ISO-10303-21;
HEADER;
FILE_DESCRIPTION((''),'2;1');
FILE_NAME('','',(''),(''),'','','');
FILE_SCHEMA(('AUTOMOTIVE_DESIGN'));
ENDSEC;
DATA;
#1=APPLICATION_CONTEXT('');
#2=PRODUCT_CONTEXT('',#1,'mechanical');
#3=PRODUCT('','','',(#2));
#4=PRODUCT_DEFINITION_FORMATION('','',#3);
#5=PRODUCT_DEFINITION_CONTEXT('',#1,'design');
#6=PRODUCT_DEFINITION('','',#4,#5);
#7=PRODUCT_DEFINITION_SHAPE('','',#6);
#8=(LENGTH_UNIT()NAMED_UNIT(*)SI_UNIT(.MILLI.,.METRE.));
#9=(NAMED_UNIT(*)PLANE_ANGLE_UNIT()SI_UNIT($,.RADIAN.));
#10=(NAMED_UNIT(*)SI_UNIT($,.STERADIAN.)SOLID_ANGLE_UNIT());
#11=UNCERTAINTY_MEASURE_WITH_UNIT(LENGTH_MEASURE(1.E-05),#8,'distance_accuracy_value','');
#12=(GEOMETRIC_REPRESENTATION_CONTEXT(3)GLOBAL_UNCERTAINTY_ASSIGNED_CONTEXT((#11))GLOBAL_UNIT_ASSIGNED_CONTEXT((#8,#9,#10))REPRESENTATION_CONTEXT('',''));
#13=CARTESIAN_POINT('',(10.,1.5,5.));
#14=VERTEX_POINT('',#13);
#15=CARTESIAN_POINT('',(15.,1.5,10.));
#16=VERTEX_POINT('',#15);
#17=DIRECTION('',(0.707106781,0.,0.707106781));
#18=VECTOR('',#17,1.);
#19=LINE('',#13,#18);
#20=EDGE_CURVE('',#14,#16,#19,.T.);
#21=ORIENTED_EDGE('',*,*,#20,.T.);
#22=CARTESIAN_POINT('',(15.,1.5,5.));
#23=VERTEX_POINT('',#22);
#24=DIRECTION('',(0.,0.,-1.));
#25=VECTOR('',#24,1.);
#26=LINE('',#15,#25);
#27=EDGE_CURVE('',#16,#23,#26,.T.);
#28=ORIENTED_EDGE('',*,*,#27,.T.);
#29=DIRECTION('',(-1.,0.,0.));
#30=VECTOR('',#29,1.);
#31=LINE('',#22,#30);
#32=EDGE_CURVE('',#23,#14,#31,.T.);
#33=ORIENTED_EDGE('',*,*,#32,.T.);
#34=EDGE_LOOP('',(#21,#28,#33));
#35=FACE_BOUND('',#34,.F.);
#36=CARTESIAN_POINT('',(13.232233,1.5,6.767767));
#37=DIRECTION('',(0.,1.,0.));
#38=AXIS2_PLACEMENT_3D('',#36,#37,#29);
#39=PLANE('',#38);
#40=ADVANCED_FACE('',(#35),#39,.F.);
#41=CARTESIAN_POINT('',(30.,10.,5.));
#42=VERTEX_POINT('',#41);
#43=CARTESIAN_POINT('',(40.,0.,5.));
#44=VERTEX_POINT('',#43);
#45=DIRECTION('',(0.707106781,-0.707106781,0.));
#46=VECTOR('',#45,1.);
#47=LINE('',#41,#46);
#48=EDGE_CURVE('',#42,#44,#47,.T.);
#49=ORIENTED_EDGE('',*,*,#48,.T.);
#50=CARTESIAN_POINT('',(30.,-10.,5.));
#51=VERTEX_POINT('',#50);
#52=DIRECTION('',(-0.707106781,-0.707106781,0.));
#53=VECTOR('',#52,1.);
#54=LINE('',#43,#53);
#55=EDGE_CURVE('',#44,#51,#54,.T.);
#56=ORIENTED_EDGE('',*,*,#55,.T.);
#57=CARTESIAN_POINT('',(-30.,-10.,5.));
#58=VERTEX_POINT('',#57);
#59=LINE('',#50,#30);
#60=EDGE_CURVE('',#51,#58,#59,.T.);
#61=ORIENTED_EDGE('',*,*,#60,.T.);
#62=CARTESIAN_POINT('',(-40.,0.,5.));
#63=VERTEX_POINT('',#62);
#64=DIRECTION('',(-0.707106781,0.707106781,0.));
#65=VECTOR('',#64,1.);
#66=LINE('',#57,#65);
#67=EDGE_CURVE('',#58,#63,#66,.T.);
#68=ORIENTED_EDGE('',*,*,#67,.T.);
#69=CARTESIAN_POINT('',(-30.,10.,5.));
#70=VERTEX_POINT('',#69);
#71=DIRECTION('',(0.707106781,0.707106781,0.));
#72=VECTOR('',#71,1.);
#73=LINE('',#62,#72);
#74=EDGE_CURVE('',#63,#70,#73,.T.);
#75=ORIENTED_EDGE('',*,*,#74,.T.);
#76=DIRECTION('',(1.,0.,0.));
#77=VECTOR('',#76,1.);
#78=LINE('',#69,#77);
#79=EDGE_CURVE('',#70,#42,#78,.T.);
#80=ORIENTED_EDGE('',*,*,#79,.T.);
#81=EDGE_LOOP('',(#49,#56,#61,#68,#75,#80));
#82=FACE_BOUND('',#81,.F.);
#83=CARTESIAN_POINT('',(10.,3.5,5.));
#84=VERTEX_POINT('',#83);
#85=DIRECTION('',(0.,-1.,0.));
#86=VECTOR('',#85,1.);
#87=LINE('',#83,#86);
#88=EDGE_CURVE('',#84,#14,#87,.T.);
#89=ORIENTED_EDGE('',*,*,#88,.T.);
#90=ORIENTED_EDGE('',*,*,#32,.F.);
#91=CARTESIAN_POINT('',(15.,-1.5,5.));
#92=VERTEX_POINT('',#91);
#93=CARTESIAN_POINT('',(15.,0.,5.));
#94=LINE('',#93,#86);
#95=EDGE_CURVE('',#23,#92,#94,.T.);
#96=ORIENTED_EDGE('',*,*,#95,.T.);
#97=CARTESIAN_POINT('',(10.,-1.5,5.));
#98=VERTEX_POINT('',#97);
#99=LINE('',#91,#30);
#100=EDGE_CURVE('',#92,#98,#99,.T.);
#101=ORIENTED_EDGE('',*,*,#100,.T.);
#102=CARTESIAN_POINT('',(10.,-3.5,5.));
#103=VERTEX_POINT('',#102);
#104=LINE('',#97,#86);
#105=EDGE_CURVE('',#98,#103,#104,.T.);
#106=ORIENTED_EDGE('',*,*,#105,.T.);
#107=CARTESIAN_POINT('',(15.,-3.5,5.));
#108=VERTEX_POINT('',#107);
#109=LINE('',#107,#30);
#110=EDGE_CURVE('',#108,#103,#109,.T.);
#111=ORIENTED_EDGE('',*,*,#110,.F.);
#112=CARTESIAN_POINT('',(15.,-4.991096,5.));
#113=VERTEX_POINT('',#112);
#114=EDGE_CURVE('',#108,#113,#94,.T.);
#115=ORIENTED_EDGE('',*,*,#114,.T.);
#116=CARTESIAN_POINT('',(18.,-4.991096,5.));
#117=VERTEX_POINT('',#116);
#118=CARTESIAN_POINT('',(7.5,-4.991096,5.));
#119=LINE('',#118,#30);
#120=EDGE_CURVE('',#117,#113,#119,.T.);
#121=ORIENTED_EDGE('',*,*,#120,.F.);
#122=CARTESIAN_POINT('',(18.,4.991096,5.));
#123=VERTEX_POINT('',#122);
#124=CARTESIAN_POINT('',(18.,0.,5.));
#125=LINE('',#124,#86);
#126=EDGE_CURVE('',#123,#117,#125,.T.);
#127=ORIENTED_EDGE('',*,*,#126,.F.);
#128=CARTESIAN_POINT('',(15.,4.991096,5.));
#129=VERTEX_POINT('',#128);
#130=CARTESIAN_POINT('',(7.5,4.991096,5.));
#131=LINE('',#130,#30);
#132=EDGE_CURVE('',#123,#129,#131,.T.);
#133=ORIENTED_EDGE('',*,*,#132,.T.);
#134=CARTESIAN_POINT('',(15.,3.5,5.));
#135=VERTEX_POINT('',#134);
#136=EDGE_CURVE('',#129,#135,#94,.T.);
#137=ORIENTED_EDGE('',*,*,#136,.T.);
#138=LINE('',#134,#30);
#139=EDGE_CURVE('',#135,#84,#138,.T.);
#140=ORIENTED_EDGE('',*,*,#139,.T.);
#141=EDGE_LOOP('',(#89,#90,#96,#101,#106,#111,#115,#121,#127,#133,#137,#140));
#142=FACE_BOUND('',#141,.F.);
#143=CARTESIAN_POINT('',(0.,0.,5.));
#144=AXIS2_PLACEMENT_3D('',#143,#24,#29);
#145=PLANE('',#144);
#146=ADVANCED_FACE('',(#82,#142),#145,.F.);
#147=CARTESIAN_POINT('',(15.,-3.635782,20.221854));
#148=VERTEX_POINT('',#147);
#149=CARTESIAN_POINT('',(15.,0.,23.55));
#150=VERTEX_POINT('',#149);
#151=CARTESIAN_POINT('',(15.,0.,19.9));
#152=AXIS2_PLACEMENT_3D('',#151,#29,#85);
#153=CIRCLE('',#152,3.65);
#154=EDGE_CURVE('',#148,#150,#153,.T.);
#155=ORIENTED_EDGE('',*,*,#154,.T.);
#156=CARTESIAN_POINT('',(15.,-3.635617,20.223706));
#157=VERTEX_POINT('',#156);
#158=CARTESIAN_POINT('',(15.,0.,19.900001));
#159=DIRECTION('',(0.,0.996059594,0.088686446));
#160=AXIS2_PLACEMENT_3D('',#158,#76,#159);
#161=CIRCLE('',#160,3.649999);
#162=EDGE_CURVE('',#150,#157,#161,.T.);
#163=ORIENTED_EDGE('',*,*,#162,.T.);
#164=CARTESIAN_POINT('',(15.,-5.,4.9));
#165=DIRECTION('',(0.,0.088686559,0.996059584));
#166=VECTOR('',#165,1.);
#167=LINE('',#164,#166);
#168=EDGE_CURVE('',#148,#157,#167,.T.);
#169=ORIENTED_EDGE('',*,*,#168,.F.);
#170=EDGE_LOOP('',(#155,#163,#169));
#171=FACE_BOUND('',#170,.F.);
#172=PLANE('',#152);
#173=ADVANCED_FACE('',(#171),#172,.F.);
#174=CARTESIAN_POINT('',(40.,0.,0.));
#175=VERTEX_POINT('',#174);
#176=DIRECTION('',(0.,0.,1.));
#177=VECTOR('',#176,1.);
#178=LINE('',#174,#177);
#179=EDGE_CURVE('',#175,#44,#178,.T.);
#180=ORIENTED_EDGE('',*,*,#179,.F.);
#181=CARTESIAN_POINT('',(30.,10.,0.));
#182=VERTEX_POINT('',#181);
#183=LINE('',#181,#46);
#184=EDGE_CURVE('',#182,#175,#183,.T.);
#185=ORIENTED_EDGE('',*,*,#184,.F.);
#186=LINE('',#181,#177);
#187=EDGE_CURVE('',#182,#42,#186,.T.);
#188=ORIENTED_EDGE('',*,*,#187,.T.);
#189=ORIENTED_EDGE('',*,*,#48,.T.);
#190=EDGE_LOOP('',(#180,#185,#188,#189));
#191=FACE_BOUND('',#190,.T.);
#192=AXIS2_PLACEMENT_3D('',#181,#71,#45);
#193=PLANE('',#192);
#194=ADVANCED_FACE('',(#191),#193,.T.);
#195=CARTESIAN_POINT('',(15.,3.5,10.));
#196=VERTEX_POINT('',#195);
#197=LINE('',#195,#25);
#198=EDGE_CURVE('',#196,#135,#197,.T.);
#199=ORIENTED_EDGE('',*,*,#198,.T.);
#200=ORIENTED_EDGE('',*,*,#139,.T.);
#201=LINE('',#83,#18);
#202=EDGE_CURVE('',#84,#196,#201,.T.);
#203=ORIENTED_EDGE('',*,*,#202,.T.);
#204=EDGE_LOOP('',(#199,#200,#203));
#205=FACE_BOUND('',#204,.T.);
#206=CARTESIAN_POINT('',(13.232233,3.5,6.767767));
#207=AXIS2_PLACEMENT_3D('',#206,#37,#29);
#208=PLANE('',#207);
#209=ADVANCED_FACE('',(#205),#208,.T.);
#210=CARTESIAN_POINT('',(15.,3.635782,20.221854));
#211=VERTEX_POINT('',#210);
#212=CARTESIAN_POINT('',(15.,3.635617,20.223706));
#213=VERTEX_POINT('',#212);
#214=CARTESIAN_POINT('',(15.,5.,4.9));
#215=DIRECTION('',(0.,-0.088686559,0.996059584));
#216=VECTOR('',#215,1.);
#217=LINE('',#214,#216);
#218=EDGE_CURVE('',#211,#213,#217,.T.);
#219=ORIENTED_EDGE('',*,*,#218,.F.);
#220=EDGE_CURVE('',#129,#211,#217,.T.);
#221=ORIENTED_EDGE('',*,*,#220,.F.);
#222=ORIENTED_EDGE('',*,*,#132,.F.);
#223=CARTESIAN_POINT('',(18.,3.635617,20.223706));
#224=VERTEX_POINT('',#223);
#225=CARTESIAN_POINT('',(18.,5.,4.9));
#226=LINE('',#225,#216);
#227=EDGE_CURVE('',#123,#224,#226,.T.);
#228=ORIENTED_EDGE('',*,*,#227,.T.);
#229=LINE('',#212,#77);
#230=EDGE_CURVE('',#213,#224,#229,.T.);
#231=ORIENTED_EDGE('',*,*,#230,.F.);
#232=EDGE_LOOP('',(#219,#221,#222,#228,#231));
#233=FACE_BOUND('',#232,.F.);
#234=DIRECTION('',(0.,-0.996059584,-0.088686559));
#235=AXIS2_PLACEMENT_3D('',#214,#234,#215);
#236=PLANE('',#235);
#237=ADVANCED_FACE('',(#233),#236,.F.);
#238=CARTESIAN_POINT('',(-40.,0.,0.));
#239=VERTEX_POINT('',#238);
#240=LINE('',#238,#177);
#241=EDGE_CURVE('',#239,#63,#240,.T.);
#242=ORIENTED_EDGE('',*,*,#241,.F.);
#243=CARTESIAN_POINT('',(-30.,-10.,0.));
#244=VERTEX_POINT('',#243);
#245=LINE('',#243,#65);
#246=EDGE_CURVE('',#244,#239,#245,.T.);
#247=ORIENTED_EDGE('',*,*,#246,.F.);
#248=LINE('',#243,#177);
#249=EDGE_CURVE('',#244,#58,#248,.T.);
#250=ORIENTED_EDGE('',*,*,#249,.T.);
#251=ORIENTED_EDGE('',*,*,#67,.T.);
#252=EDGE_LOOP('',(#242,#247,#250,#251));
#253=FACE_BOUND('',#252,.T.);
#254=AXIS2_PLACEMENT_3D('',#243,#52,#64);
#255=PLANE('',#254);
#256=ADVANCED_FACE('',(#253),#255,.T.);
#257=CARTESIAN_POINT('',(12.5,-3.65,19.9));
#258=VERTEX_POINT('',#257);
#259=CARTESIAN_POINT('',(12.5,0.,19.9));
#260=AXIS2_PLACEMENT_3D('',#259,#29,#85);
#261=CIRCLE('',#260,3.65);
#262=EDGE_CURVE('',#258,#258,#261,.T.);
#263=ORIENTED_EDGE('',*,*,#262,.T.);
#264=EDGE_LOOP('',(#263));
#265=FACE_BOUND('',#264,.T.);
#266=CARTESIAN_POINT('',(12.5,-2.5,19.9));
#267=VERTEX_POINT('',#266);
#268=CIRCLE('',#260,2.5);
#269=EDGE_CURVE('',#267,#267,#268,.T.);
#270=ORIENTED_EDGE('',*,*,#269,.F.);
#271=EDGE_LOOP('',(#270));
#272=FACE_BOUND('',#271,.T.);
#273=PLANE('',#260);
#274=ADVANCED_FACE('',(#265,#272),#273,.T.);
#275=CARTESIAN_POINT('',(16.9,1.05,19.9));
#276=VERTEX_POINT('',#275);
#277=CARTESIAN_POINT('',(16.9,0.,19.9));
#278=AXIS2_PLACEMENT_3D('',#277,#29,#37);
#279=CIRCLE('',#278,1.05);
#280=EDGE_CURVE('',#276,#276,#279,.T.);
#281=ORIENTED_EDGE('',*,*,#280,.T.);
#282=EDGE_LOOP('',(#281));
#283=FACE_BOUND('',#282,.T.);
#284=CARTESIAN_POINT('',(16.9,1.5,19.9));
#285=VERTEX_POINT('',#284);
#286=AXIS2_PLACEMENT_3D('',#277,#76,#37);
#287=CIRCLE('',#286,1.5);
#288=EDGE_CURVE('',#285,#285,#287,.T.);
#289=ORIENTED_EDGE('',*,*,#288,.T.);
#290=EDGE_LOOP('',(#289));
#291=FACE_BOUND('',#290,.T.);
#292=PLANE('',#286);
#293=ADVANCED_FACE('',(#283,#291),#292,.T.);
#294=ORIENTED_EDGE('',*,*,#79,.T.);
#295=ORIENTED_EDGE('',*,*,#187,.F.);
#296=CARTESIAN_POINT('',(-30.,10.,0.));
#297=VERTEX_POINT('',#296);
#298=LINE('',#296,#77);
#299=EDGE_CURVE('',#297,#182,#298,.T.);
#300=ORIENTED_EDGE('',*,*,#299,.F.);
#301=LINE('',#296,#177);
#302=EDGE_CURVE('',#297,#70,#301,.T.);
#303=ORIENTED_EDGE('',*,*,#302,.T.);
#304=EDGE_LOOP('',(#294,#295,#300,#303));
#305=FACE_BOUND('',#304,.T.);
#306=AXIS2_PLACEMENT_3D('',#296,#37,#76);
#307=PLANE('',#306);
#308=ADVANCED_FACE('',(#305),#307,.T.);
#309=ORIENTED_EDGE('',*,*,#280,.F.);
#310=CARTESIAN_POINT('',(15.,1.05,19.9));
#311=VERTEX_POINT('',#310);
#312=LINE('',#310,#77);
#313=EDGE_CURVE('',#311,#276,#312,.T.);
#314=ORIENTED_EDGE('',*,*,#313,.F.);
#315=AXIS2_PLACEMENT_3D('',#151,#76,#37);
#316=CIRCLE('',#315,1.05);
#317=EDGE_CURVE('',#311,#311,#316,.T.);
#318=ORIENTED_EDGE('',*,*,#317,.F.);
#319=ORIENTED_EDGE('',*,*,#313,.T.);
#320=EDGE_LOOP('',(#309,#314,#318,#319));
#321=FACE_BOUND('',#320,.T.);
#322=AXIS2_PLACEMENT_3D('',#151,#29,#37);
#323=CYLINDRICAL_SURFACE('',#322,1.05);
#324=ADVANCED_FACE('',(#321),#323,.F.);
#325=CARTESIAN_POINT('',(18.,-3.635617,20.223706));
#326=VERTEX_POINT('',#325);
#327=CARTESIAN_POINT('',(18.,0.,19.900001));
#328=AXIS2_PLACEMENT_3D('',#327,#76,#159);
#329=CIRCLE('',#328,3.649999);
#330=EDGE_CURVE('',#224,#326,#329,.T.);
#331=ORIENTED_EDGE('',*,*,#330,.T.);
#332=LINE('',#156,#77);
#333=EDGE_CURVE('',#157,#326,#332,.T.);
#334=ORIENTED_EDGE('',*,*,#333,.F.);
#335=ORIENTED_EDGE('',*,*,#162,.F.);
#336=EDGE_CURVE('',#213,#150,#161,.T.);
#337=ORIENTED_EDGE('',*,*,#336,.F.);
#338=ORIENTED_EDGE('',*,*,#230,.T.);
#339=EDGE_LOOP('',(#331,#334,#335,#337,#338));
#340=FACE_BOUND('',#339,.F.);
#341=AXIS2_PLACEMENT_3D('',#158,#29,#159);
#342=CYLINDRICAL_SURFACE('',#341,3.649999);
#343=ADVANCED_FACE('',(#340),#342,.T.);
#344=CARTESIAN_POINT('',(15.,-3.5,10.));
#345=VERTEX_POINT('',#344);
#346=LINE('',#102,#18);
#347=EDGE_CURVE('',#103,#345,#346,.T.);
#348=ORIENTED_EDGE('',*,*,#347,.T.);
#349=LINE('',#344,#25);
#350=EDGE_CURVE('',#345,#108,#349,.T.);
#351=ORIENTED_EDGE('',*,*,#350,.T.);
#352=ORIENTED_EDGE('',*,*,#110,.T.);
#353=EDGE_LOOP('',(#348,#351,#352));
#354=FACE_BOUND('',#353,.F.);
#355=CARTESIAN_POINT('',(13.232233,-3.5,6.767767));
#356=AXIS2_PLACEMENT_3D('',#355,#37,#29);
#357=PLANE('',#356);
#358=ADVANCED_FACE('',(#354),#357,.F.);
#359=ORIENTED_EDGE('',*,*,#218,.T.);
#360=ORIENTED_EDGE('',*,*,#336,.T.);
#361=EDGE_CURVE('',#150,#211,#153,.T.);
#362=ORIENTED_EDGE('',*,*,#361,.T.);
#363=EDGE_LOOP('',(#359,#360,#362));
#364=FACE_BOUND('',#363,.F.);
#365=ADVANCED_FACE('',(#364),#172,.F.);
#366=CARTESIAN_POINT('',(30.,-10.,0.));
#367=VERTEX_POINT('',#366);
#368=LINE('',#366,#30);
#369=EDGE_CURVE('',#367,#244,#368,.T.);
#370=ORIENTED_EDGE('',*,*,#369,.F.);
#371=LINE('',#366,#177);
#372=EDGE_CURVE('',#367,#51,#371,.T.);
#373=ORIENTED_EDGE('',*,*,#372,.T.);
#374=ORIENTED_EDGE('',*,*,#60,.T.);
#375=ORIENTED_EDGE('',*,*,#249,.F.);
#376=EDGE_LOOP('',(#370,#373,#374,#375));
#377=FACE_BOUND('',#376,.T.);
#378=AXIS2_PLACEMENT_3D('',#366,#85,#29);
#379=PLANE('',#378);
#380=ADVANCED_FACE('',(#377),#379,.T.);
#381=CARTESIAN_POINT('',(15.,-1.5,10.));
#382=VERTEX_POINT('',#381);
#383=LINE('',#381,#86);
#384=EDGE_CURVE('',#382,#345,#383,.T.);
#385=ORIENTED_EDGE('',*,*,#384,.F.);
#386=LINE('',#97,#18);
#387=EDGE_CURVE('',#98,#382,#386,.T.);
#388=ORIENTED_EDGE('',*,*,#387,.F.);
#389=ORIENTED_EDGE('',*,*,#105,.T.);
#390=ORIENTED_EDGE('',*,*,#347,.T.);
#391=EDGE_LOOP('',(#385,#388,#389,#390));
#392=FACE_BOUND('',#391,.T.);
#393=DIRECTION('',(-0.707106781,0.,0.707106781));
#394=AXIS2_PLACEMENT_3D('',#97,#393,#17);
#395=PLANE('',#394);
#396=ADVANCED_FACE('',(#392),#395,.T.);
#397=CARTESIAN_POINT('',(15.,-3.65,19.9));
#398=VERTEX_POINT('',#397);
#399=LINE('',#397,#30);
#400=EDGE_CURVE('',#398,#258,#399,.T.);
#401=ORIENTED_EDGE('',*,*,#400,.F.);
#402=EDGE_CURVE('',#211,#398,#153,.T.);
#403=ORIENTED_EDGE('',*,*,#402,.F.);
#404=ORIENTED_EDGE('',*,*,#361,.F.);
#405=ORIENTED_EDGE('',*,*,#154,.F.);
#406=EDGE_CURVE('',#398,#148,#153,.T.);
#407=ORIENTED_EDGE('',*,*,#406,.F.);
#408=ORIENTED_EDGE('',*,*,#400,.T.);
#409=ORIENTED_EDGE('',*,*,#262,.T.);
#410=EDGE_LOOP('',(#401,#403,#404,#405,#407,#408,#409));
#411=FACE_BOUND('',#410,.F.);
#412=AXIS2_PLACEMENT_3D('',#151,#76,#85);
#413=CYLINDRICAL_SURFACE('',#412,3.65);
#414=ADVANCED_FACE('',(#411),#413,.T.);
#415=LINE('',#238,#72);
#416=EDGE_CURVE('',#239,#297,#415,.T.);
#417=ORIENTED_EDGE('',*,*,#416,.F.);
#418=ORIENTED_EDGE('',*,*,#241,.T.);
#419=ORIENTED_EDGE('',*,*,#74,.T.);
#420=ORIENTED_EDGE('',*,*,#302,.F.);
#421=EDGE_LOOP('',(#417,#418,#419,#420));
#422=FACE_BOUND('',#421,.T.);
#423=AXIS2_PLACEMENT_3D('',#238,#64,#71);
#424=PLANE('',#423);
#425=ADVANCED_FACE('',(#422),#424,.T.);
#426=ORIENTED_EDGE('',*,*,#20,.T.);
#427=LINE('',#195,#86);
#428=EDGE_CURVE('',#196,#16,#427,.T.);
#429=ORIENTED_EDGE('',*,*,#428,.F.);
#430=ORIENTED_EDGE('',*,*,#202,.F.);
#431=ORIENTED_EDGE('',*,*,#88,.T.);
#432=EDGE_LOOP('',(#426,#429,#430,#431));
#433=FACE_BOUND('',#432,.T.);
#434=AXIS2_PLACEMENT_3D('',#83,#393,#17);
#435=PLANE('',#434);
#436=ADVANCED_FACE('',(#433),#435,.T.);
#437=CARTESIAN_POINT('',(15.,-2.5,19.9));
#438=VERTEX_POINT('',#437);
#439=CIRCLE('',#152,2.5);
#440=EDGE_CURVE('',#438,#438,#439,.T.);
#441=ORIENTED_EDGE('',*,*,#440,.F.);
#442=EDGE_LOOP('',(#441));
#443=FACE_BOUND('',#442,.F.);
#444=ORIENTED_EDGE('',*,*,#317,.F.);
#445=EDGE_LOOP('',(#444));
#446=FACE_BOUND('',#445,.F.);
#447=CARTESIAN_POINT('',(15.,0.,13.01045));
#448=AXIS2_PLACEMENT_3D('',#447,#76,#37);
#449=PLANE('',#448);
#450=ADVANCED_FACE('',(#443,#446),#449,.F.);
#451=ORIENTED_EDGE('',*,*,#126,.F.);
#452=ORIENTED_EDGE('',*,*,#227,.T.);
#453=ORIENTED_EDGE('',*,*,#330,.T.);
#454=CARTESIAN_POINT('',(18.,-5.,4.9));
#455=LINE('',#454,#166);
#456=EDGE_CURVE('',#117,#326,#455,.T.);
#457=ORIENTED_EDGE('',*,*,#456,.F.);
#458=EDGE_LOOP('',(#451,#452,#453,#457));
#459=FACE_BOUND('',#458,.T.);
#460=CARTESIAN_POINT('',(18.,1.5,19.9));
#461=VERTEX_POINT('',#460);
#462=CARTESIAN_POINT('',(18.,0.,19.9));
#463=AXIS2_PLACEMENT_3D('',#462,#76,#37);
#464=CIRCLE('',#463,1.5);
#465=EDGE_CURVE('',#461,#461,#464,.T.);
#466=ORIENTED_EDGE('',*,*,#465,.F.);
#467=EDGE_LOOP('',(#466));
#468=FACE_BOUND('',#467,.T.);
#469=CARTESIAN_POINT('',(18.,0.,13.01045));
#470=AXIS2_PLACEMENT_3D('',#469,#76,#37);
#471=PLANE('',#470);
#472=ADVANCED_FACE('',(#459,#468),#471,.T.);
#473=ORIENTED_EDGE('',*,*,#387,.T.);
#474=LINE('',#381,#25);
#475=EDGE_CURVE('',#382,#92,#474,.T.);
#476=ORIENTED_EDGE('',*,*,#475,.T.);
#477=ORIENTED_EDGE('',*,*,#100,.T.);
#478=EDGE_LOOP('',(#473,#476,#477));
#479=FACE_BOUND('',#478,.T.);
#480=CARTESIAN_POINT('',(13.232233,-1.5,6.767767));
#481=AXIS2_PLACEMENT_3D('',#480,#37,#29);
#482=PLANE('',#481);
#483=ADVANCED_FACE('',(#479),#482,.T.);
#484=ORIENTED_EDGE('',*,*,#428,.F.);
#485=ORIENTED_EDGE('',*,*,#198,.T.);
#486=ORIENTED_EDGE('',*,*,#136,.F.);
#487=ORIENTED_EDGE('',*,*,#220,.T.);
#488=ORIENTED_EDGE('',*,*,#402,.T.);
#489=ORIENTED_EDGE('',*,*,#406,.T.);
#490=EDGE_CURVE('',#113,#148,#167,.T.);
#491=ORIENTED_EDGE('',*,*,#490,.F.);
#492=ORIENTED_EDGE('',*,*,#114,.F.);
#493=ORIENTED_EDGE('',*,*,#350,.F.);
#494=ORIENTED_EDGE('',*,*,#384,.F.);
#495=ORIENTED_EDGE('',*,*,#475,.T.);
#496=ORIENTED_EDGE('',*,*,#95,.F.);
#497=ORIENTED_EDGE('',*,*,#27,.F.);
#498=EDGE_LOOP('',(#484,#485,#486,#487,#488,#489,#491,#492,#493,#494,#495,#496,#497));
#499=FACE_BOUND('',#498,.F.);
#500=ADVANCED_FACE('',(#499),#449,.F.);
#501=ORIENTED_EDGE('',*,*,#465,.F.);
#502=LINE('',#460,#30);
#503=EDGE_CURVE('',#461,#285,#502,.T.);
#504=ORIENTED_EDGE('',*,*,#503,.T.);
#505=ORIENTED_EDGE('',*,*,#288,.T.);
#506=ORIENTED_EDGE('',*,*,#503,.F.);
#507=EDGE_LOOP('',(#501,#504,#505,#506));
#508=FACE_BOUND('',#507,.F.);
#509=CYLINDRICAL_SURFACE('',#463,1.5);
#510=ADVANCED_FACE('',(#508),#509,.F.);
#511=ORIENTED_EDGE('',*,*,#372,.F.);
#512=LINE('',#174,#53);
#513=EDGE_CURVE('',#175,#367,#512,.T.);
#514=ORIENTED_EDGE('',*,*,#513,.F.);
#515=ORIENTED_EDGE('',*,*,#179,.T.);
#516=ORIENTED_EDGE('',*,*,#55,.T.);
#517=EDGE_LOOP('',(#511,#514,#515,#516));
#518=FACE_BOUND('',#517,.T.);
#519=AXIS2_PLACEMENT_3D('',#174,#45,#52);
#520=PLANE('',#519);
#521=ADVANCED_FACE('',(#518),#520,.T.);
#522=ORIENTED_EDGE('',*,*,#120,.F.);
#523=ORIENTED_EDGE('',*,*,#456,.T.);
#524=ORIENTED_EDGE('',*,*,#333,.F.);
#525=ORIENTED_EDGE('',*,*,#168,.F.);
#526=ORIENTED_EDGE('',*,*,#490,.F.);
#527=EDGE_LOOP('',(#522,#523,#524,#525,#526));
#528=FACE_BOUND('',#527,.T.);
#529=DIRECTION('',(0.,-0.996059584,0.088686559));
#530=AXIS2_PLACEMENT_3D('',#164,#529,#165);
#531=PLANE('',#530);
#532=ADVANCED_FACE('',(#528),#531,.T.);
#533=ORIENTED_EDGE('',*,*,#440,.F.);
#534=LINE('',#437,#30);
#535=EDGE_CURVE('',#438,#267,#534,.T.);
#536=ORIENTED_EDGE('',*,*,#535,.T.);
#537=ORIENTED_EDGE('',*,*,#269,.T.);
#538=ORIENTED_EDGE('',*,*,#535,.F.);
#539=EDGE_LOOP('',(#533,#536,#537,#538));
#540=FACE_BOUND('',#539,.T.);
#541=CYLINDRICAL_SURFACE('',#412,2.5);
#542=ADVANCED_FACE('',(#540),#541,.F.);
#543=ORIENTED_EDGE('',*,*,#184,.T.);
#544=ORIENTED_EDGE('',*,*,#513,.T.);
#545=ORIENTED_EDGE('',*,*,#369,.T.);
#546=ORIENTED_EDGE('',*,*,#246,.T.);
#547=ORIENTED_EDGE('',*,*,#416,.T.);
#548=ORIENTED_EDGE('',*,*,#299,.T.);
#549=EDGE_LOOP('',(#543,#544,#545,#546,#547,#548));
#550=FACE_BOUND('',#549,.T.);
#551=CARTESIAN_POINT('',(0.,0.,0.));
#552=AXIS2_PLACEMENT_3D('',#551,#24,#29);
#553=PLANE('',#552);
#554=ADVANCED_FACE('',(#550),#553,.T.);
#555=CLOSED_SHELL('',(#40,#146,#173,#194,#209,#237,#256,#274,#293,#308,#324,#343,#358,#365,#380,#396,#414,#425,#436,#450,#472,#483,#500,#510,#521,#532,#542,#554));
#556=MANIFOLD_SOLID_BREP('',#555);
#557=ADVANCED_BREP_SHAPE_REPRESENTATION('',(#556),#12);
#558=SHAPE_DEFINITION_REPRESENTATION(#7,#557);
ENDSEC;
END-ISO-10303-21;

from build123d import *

# Parameters (mm, degrees)
PAD_DEPTH           = 5
SKETCH002_R         = 1.05
PAD001_DEPTH        = 3
SKETCH003_R         = 3.65
SKETCH003_R_2       = 2.5
PAD002_DEPTH        = 2.5
SKETCH004_R         = 1.5
POCKET_DEPTH        = 1.1
PAD003_DEPTH        = 2
LINEARPATTERN_COUNT = 2
LINEARPATTERN_PITCH = 5


with BuildPart() as part:
    # Sketch → Pad (new body)
    with BuildSketch(Plane.XY):
        Polygon((-30, 10), (30, 10), (40, 0), (30, -10), (-30, -10), (-40, 0), align=None)
    extrude(amount=PAD_DEPTH)

    # Sketch002 → Pad001 (join)
    with BuildSketch(Plane.YZ.offset(15)):
        with BuildLine():
            Line((-5, 4.9), (5, 4.9))
            Line((5, 4.9), (3.635617, 20.223706))
            ThreePointArc((3.635617, 20.223706), (0, 23.55), (-3.635617, 20.223706))
            Line((-5, 4.9), (-3.635617, 20.223706))
        make_face()
        with Locations((0, 19.9)):
            Circle(SKETCH002_R, mode=Mode.SUBTRACT)
    extrude(amount=PAD001_DEPTH)

    # Sketch003 (on DatumPlane) → Pad002 (join)
    with BuildSketch(Plane(origin=(15, 0, 0), x_dir=(0, -1, 0), z_dir=(-1, 0, 0))):
        with Locations((0, 19.9)):
            Circle(SKETCH003_R)
        with Locations((0, 19.9)):
            Circle(SKETCH003_R_2, mode=Mode.SUBTRACT)
    extrude(amount=PAD002_DEPTH)

    # Sketch004 (on DatumPlane) → Pocket (cut)
    with BuildSketch(Plane.YZ.offset(18)):
        with Locations((0, 19.9)):
            Circle(SKETCH004_R)
    extrude(amount=-POCKET_DEPTH, mode=Mode.SUBTRACT)

    # Sketch005 → Pad003 (join)
    with BuildSketch(Plane.XZ.offset(1.5)):
        Polygon((10, 5), (15, 10), (15, 5), align=None)
    pad003 = extrude(amount=PAD003_DEPTH)

    # LinearPattern: Pad003 ×2
    with Locations(*[(0, i * LINEARPATTERN_PITCH, 0) for i in range(1, LINEARPATTERN_COUNT)]):
        add(pad003)


solid = part.part
